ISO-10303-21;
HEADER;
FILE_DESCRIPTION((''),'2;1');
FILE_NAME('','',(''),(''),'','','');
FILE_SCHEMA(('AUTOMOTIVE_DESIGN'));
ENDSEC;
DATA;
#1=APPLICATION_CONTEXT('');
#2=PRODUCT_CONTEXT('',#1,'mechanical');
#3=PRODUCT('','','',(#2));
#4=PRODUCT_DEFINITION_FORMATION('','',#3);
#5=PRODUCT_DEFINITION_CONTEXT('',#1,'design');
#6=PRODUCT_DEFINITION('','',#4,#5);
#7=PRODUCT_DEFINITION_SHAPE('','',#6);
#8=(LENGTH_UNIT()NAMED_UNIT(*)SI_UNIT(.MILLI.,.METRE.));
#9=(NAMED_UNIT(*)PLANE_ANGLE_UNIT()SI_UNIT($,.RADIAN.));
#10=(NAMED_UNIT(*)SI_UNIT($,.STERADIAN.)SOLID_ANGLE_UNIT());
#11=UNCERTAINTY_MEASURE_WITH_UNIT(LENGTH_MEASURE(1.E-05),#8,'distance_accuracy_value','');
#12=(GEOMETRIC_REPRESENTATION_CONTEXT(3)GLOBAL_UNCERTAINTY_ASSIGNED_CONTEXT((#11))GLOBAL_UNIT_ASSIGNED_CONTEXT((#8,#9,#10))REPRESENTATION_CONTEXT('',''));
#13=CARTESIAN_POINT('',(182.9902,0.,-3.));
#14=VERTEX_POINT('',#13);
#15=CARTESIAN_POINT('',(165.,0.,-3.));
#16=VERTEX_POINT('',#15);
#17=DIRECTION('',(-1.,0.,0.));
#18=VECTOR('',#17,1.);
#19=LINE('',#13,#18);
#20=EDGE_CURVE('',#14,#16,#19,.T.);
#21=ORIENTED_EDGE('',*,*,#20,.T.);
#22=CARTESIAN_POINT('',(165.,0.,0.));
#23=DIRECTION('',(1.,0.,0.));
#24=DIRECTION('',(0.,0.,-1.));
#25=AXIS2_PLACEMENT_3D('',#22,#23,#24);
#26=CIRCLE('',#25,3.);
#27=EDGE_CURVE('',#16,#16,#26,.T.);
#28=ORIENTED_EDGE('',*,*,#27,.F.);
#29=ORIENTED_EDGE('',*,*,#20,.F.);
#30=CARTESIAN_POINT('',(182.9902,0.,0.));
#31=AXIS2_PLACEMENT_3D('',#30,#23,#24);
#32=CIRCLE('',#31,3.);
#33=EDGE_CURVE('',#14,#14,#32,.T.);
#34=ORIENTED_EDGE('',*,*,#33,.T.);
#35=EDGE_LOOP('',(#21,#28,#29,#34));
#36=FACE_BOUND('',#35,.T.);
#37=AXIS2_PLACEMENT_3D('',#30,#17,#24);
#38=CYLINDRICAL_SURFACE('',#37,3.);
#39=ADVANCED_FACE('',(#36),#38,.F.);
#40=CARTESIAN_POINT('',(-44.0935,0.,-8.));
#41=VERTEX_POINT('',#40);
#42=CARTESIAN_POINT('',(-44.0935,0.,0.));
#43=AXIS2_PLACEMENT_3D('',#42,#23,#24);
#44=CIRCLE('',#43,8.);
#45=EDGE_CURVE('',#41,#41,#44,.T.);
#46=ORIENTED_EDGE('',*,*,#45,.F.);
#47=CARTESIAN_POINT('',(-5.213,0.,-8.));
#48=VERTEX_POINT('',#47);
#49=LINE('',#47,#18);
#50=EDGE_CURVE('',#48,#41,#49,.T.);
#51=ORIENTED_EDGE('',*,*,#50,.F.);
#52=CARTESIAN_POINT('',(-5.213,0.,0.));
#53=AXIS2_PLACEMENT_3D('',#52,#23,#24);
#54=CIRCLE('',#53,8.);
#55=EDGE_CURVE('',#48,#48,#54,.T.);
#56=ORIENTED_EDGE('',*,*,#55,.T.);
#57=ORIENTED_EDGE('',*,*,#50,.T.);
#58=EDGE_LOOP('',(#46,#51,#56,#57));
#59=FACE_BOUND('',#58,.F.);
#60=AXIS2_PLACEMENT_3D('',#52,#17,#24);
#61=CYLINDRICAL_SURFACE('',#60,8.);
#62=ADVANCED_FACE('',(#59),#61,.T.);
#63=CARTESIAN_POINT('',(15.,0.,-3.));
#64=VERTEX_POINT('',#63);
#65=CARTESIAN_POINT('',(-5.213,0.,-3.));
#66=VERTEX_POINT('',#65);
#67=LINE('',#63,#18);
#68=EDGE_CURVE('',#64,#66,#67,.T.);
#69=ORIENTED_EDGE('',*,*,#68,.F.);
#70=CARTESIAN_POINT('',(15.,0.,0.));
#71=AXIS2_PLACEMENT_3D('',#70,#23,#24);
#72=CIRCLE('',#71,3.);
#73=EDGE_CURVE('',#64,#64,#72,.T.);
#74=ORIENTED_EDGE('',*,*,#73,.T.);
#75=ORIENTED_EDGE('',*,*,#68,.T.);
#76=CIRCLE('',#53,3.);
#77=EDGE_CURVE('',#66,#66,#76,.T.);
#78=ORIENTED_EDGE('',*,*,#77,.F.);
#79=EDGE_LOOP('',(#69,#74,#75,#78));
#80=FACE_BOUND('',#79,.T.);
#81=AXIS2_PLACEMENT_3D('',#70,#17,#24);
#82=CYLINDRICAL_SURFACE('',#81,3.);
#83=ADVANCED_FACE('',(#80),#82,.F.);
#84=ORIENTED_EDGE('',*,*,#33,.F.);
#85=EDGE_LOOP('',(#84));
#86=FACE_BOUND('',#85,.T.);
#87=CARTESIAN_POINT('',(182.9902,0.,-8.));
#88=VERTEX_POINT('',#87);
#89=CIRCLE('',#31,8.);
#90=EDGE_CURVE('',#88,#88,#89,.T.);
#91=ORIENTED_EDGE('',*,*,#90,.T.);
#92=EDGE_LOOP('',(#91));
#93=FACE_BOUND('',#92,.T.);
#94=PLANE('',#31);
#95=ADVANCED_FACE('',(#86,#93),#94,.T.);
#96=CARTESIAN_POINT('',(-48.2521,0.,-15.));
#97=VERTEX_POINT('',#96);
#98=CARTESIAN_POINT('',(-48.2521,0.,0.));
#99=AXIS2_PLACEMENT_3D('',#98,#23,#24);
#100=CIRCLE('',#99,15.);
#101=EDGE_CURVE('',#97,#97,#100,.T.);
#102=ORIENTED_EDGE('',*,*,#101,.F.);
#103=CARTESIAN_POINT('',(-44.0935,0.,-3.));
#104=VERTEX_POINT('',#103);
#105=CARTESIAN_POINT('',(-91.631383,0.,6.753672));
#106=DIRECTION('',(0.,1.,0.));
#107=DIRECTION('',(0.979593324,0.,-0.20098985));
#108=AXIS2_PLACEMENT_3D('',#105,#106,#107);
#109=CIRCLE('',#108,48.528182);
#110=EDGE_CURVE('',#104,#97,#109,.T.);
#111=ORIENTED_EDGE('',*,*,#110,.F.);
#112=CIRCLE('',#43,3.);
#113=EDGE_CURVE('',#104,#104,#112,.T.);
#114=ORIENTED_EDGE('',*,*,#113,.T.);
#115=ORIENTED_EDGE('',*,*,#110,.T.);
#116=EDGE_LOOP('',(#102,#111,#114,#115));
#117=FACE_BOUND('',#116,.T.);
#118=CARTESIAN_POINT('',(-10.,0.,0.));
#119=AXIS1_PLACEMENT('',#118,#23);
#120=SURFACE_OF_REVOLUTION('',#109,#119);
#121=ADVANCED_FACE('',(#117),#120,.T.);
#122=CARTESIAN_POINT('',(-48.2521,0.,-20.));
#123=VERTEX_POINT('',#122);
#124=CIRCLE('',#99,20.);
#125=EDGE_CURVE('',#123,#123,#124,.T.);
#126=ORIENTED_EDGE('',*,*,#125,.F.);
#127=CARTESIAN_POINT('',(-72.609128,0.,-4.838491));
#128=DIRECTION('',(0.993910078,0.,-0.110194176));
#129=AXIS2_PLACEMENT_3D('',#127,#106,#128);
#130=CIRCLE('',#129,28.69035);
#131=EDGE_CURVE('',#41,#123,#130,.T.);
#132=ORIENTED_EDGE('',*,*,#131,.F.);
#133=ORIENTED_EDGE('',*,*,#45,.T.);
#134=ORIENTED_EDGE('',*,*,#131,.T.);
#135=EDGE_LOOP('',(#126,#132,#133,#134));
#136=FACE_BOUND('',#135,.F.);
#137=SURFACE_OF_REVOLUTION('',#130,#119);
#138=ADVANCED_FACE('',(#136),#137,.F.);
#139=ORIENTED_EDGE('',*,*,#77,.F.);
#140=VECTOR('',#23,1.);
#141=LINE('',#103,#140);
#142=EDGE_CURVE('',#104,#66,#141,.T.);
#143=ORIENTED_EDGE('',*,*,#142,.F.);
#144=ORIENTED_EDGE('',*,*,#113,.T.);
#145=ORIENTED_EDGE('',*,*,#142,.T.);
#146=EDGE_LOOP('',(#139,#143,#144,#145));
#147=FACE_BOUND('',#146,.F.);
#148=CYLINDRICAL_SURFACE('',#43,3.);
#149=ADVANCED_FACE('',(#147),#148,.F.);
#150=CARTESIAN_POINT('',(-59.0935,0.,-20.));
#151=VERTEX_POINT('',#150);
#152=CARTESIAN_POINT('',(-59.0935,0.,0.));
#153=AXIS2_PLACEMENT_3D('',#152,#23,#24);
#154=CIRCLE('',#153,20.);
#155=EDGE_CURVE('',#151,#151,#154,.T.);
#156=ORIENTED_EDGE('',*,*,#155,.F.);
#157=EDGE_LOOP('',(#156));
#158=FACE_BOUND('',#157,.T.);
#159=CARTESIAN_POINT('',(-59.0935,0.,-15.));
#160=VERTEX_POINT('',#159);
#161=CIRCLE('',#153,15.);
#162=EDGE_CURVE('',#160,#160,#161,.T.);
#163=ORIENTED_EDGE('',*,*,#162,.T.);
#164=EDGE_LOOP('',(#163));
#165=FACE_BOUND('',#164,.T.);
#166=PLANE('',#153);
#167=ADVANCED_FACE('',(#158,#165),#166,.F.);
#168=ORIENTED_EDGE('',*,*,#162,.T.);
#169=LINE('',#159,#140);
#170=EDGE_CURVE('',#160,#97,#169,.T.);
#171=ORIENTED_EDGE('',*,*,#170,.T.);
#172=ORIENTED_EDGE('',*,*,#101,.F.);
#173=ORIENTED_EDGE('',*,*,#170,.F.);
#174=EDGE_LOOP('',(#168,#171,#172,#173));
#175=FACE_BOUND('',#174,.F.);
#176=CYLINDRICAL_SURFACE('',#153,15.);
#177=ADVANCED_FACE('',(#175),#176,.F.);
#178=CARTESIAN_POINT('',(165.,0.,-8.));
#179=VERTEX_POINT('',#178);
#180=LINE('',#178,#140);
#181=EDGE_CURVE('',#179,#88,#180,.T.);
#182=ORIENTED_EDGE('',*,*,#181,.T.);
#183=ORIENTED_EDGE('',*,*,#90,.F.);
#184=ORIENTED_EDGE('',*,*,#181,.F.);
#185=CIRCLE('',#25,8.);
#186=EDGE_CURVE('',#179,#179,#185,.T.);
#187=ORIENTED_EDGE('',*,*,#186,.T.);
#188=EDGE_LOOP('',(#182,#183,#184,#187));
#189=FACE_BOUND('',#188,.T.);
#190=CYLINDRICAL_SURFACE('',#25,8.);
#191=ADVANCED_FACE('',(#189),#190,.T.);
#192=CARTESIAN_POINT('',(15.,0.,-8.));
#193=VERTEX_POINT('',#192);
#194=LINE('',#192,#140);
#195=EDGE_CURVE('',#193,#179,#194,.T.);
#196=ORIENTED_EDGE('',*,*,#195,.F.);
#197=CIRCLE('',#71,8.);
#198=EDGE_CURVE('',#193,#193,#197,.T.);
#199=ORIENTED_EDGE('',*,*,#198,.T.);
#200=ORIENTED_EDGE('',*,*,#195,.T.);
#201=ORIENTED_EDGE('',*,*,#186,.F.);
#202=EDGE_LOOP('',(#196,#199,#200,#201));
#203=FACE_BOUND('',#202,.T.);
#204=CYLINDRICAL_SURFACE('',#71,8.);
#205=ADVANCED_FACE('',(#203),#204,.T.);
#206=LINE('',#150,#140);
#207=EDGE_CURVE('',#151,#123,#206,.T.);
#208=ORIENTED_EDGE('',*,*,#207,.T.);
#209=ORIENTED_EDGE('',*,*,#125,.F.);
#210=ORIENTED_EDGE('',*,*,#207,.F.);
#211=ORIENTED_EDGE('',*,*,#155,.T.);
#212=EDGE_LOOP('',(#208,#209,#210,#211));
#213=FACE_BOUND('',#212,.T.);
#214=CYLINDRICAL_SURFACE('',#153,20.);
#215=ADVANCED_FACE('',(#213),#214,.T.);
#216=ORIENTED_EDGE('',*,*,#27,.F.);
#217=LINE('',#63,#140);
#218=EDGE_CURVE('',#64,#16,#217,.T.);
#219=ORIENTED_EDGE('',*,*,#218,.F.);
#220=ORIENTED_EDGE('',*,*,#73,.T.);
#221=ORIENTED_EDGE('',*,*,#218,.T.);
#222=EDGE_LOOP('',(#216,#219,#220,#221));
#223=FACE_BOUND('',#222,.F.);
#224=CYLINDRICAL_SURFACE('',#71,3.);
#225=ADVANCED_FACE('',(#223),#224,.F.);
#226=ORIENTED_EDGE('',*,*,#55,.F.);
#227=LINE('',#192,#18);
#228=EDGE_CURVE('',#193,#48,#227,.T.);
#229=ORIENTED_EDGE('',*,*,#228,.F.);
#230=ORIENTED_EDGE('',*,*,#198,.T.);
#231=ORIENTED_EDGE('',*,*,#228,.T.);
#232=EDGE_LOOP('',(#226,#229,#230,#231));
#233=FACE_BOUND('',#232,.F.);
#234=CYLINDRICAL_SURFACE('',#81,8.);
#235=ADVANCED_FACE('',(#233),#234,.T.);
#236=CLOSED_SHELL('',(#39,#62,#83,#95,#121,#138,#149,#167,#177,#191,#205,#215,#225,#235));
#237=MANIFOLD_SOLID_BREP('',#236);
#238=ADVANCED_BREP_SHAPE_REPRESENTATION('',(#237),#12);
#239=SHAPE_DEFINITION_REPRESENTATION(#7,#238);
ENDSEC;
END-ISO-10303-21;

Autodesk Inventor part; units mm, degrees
ref_plane "YZ Plane" through (0, 0, 0) normal (1, 0, 0) x (0, 1, 0)
ref_plane "XZ Plane" through (0, 0, 0) normal (0, 1, 0) x (-1, 0, 0)
ref_plane "XY Plane" through (0, 0, 0) normal (0, 0, 1) x (1, 0, 0)
sketch "Sketch2" plane through (0, 0, 0) normal (0, 1, 0) x (-1, 0, 0)
  line L0 (-15, -3) -> (-165, -3)
  line L1 (-15, -8) -> (-165, -8)
  line L2 (146.5532, 0) -> (-237.9141, 0) projected
  line L3 (59.0935, -15) -> (59.0935, -20)
  line L4 (59.0935, -15) -> (48.2521, -15)
  line L5 (59.0935, -20) -> (48.2521, -20)
  arc A0 (44.0935, -3) -> (48.2521, -15) centre (91.6293, 6.7531) ccw
  arc A1 (44.0935, -8) -> (48.2521, -20) centre (72.6082, -4.8387) ccw
  line L6 (-165, -8) -> (-182.9902, -8)
  line L7 (-182.9902, -3) -> (-165, -3)
  line L8 (-182.9902, -8) -> (-182.9902, -3)
  line L9 (-15, -3) -> (5.213, -3)
  line L10 (-15, -8) -> (5.213, -8)
  line L11 (44.0935, -3) -> (5.213, -3)
  line L12 (5.213, -8) -> (44.0935, -8)
  point P0 (0, 0)
  point P1 (-13.1291, -22.6955)
  point P2 (-13.1263, -14.83)
revolve "Revolution2" add sketch "Sketch2" angle 360 about axis through (-10, 0, 0) along (1, 0, 0)
equation "\"BendRadius\" = Thickness"
equation "\"BendReliefWidth\" = Thickness"
equation "\"BendReliefDepth\" = 0.5 * Thickness"
equation "\"CornerReliefSize\" = 4 * Thickness"
equation "\"MinimumRemnant\" = 2 * Thickness"
equation "\"TransitionRadius\" = BendRadius"
equation "\"JacobiRadiusSize\" = BendRadius"
equation "\"GapSize\" = Thickness"
equation "\"Thickness\" = 0.5"
properties part number "Rubber pipe"
